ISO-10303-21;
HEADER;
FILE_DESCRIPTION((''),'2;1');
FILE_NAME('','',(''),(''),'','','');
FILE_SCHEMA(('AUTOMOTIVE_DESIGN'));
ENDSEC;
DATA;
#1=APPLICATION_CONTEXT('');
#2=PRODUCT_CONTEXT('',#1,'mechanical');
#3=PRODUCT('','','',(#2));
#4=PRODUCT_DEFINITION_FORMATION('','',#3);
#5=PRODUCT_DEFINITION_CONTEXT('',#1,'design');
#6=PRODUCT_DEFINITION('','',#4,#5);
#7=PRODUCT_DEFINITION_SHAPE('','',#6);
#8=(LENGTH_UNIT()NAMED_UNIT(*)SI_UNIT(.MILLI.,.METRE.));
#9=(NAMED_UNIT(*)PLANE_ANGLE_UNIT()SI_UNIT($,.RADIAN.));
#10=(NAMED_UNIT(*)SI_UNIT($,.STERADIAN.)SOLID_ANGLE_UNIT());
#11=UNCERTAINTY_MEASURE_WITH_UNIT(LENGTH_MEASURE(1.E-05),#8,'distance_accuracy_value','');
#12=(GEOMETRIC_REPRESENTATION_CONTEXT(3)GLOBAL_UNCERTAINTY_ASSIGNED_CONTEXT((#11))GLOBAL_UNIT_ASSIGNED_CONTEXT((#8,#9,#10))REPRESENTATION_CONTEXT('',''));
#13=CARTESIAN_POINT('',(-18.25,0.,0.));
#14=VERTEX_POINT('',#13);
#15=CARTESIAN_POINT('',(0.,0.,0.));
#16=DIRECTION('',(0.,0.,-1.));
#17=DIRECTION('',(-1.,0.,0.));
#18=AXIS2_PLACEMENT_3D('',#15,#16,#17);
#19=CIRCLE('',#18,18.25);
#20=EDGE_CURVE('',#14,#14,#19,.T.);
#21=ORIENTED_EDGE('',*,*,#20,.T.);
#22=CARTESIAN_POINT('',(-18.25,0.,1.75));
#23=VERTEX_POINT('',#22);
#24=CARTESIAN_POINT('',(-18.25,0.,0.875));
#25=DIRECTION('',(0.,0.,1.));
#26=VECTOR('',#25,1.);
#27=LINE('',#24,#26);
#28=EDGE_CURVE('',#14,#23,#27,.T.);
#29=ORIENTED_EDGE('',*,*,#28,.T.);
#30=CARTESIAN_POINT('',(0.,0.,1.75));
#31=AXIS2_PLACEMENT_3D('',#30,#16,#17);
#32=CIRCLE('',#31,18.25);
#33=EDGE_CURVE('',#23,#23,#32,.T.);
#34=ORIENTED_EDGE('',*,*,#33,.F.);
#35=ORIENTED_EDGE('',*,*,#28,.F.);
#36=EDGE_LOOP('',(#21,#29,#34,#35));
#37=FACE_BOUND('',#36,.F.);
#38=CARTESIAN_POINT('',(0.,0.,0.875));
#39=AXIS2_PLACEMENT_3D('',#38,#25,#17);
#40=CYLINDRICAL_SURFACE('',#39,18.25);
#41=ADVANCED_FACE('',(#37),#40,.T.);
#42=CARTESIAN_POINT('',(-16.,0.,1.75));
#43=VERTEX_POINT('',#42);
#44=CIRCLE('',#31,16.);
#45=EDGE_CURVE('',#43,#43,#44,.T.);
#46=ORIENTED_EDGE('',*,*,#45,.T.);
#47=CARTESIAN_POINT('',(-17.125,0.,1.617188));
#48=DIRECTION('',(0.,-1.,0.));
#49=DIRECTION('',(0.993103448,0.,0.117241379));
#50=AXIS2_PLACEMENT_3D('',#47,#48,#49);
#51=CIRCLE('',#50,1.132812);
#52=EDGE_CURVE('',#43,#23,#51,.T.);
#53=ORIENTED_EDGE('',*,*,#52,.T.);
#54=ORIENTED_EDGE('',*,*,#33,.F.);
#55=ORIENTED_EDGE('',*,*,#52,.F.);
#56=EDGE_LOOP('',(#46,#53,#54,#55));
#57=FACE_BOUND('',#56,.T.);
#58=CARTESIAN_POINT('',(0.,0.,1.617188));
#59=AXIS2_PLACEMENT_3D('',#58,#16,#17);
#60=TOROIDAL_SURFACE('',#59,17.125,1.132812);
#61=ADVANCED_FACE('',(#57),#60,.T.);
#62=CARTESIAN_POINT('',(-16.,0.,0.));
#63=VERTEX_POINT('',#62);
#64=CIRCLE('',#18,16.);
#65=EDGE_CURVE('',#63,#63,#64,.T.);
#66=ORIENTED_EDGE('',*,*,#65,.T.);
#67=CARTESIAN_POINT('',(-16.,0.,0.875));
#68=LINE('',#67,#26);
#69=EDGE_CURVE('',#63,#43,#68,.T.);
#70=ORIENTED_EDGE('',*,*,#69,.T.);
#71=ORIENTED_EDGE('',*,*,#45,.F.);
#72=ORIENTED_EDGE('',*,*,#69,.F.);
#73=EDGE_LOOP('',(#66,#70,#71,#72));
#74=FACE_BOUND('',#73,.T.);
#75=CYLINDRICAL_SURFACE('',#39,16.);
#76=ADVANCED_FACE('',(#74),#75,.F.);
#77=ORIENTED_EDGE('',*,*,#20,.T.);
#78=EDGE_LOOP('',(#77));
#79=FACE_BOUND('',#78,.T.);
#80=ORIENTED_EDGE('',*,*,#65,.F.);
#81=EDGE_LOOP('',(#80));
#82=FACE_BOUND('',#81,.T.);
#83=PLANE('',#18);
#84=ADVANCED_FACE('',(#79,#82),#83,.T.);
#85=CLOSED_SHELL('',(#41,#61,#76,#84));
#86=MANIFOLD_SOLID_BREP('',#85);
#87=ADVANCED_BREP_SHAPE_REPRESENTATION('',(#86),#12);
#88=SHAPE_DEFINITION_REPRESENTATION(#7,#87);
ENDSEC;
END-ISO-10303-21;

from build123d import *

# Parameters (mm, degrees)
F0_W = 2.25
F0_H = 1.75


with BuildPart() as f1:
    # F0 (on Front) → F1 (revolve)
    with BuildSketch(Plane.XZ):
        with Locations((-17.125, 0.875)):
            Rectangle(F0_W, F0_H)
        with BuildLine():
            ThreePointArc((-16, 1.75), (-17.125, 2.75), (-18.25, 1.75))
            Line((-18.25, 1.75), (-16, 1.75))
        make_face()
    revolve(axis=Axis((0, 0, -2.02128), (0, 0, -1)))


solid = f1.part
